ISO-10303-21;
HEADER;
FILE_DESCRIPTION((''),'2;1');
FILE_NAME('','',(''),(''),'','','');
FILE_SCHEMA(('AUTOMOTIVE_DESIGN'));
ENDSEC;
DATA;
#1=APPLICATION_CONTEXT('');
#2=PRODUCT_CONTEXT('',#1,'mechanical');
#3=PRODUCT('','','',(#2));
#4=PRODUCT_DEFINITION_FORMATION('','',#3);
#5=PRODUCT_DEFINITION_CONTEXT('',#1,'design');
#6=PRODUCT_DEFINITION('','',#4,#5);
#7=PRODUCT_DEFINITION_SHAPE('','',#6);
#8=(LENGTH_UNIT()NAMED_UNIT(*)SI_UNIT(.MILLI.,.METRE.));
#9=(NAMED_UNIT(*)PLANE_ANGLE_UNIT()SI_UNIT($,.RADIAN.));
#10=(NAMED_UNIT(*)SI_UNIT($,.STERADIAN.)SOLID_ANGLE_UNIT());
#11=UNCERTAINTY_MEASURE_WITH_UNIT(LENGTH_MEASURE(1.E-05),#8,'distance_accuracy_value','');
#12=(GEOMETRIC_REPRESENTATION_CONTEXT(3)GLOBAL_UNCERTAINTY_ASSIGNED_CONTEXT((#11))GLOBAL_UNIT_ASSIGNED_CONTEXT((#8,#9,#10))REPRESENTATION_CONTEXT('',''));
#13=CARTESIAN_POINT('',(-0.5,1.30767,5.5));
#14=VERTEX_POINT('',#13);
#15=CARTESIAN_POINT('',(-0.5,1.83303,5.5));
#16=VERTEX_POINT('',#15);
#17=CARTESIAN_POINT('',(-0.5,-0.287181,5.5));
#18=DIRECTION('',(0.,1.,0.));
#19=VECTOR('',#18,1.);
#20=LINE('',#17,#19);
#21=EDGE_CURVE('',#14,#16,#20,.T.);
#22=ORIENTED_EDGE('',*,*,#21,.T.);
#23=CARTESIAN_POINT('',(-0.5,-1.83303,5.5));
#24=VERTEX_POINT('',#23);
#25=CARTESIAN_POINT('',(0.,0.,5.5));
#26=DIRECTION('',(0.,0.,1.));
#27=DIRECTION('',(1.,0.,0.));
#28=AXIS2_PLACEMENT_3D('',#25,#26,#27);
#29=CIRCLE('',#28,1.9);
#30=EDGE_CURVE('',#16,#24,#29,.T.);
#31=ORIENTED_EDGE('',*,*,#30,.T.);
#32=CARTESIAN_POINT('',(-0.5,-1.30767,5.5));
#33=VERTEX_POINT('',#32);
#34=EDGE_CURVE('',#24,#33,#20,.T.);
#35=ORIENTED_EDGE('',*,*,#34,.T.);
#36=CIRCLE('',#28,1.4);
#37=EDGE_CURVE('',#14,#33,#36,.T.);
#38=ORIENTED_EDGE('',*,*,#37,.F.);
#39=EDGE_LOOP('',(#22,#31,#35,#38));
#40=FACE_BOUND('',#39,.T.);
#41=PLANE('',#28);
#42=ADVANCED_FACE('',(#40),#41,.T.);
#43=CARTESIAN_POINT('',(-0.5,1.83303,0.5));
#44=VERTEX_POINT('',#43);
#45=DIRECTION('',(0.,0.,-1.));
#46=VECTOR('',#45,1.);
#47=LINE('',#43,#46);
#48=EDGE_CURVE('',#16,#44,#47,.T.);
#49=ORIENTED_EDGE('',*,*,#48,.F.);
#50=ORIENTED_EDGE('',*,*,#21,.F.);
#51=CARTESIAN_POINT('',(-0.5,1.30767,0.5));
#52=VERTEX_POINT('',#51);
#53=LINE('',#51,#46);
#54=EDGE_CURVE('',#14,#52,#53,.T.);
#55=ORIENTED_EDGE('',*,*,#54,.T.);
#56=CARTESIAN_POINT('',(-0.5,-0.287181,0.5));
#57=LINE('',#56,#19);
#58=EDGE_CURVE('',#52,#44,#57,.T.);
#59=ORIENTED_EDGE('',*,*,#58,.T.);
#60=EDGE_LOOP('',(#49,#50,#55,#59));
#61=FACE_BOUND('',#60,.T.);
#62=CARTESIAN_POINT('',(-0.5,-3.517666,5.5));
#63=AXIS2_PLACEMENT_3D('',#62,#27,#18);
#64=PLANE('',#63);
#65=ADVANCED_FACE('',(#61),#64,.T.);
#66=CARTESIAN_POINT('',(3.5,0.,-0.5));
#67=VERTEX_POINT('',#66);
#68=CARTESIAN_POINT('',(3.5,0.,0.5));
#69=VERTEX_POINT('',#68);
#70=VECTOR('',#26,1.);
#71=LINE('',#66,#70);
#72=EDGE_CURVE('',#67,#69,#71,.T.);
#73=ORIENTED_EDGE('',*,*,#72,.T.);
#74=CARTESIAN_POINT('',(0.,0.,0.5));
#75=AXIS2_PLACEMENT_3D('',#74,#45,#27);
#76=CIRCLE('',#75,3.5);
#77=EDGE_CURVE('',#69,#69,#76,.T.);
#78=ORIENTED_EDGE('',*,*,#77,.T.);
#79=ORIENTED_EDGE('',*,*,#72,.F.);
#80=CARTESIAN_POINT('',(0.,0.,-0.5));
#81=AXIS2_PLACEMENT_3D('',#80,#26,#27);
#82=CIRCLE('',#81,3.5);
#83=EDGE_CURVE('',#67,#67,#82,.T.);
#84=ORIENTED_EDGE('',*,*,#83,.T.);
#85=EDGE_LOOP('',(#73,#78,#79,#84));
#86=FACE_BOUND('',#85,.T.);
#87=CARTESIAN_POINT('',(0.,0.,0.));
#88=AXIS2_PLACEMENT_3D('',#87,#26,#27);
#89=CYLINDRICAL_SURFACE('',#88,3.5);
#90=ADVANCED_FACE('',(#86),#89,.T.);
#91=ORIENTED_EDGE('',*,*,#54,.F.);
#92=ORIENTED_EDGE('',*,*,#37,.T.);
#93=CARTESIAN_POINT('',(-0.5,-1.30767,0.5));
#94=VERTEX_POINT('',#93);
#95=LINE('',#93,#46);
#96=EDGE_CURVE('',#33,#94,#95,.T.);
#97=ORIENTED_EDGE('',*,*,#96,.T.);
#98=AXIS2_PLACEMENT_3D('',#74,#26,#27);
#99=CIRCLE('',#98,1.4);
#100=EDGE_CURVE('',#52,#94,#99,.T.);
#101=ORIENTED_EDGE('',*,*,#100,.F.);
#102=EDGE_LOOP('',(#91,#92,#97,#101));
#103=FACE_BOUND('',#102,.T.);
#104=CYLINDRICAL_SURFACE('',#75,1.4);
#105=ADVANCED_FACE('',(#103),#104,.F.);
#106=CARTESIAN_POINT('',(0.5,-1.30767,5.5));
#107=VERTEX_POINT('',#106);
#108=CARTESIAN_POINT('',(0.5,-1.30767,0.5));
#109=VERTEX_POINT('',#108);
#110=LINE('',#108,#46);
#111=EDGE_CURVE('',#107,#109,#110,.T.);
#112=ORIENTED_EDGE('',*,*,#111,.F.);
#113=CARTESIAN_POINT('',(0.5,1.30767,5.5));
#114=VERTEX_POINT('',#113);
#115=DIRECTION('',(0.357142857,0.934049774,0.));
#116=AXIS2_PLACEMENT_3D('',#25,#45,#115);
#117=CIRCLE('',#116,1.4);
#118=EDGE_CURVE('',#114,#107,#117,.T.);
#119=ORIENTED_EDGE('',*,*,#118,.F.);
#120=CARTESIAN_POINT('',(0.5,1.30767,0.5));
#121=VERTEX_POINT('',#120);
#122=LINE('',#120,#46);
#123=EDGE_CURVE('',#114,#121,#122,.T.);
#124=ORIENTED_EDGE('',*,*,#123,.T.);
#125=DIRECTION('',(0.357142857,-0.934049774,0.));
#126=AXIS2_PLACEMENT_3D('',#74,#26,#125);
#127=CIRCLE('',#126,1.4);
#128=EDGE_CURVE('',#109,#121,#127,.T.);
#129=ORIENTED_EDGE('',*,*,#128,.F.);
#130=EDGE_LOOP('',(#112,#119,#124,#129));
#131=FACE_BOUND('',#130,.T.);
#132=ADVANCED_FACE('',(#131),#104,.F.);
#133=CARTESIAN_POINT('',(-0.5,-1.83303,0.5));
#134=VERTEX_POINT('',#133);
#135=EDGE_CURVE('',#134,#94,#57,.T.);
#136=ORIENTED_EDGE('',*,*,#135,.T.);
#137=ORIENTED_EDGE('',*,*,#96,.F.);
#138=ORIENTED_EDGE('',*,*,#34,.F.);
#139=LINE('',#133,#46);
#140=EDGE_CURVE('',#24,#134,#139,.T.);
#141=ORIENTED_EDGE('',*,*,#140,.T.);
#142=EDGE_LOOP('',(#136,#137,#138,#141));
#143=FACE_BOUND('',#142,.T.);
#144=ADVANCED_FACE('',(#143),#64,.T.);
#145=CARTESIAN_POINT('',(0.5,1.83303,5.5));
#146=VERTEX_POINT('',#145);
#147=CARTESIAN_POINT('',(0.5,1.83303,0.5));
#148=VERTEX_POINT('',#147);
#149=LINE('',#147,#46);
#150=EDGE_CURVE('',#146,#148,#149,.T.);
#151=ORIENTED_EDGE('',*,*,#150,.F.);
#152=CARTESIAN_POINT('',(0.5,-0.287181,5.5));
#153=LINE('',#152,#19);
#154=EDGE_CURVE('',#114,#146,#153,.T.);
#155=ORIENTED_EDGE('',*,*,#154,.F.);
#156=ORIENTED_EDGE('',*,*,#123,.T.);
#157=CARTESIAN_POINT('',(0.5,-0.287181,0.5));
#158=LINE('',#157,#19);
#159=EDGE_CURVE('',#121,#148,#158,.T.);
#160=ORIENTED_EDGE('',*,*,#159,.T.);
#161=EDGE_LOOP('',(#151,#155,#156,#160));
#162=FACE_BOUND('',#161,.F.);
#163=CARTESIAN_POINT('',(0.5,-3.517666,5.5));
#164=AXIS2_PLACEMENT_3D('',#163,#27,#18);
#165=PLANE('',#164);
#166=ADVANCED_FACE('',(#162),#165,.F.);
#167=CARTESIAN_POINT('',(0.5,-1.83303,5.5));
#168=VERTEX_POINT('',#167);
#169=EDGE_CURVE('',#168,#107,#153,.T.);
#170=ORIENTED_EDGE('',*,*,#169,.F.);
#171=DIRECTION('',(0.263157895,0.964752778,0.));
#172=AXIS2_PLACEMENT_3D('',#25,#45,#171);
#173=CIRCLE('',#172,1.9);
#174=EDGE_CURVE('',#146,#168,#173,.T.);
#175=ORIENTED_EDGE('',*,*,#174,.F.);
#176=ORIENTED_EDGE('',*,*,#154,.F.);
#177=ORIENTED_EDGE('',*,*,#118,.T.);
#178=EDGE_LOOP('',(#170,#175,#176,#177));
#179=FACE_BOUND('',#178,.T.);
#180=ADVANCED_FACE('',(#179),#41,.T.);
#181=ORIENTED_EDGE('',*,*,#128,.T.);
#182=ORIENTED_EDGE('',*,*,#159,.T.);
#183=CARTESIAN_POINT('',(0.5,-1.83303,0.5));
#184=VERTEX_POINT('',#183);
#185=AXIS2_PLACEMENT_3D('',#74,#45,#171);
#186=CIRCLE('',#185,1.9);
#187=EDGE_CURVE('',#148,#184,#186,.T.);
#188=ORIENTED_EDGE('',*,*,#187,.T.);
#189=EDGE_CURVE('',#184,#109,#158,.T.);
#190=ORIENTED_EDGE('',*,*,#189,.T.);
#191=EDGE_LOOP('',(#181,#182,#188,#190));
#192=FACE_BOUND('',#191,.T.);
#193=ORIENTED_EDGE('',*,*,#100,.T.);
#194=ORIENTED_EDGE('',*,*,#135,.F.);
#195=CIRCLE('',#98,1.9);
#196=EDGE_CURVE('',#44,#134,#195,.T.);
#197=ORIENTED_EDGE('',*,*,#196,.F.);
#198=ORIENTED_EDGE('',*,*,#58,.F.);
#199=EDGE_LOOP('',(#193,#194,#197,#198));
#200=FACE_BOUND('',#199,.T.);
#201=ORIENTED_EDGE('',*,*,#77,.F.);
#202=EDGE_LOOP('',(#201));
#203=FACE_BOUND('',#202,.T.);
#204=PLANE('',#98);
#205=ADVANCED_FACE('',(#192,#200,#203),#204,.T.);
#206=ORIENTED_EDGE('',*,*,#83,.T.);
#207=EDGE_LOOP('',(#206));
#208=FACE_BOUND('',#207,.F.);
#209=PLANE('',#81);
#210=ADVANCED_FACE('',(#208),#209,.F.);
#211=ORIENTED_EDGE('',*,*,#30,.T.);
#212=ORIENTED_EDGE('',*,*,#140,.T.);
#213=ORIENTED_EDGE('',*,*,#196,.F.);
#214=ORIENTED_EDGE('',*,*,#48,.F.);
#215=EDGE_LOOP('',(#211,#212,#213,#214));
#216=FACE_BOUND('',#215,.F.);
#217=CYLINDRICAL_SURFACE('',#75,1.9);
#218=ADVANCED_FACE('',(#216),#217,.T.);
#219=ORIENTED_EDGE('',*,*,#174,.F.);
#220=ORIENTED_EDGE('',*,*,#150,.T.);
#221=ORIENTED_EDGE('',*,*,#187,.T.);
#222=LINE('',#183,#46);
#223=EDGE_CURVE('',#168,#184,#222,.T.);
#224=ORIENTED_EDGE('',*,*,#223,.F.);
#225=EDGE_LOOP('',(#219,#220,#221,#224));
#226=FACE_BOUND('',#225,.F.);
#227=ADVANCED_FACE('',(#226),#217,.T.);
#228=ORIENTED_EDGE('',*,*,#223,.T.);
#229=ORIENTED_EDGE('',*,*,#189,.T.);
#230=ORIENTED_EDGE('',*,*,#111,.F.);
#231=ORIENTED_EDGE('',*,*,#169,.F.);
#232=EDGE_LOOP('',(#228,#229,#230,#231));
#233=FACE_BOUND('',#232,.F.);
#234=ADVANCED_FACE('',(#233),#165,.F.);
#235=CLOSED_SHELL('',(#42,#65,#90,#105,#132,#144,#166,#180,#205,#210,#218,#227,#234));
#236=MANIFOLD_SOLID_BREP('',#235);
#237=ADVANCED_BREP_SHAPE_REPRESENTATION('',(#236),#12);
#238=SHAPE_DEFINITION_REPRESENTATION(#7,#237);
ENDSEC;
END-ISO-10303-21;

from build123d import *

# Parameters (mm, degrees)
F0_R     = 3.5
F1_DEPTH = 0.5
F2_R     = 1.9
F2_R_2   = 1.4
F3_DEPTH = 5
F4_W     = 1
F4_H     = 6.460969
F5_DEPTH = 5


with BuildPart() as f1:
    # F0 (on Top) → F1 (new body, symmetric)
    with BuildSketch(Plane.XY):
        Circle(F0_R)
    extrude(amount=F1_DEPTH, both=True)

    # F2 (on face) → F3 (join)
    with BuildSketch(Plane.XY.offset(0.5)):
        Circle(F2_R)
        Circle(F2_R_2, mode=Mode.SUBTRACT)
    extrude(amount=F3_DEPTH)

    # F4 (on face) → F5 (cut)
    with BuildSketch(Plane.XY.offset(5.5)):
        with Locations((0, -0.287181)):
            Rectangle(F4_W, F4_H)
    extrude(amount=-F5_DEPTH, mode=Mode.SUBTRACT)


solid = f1.part
